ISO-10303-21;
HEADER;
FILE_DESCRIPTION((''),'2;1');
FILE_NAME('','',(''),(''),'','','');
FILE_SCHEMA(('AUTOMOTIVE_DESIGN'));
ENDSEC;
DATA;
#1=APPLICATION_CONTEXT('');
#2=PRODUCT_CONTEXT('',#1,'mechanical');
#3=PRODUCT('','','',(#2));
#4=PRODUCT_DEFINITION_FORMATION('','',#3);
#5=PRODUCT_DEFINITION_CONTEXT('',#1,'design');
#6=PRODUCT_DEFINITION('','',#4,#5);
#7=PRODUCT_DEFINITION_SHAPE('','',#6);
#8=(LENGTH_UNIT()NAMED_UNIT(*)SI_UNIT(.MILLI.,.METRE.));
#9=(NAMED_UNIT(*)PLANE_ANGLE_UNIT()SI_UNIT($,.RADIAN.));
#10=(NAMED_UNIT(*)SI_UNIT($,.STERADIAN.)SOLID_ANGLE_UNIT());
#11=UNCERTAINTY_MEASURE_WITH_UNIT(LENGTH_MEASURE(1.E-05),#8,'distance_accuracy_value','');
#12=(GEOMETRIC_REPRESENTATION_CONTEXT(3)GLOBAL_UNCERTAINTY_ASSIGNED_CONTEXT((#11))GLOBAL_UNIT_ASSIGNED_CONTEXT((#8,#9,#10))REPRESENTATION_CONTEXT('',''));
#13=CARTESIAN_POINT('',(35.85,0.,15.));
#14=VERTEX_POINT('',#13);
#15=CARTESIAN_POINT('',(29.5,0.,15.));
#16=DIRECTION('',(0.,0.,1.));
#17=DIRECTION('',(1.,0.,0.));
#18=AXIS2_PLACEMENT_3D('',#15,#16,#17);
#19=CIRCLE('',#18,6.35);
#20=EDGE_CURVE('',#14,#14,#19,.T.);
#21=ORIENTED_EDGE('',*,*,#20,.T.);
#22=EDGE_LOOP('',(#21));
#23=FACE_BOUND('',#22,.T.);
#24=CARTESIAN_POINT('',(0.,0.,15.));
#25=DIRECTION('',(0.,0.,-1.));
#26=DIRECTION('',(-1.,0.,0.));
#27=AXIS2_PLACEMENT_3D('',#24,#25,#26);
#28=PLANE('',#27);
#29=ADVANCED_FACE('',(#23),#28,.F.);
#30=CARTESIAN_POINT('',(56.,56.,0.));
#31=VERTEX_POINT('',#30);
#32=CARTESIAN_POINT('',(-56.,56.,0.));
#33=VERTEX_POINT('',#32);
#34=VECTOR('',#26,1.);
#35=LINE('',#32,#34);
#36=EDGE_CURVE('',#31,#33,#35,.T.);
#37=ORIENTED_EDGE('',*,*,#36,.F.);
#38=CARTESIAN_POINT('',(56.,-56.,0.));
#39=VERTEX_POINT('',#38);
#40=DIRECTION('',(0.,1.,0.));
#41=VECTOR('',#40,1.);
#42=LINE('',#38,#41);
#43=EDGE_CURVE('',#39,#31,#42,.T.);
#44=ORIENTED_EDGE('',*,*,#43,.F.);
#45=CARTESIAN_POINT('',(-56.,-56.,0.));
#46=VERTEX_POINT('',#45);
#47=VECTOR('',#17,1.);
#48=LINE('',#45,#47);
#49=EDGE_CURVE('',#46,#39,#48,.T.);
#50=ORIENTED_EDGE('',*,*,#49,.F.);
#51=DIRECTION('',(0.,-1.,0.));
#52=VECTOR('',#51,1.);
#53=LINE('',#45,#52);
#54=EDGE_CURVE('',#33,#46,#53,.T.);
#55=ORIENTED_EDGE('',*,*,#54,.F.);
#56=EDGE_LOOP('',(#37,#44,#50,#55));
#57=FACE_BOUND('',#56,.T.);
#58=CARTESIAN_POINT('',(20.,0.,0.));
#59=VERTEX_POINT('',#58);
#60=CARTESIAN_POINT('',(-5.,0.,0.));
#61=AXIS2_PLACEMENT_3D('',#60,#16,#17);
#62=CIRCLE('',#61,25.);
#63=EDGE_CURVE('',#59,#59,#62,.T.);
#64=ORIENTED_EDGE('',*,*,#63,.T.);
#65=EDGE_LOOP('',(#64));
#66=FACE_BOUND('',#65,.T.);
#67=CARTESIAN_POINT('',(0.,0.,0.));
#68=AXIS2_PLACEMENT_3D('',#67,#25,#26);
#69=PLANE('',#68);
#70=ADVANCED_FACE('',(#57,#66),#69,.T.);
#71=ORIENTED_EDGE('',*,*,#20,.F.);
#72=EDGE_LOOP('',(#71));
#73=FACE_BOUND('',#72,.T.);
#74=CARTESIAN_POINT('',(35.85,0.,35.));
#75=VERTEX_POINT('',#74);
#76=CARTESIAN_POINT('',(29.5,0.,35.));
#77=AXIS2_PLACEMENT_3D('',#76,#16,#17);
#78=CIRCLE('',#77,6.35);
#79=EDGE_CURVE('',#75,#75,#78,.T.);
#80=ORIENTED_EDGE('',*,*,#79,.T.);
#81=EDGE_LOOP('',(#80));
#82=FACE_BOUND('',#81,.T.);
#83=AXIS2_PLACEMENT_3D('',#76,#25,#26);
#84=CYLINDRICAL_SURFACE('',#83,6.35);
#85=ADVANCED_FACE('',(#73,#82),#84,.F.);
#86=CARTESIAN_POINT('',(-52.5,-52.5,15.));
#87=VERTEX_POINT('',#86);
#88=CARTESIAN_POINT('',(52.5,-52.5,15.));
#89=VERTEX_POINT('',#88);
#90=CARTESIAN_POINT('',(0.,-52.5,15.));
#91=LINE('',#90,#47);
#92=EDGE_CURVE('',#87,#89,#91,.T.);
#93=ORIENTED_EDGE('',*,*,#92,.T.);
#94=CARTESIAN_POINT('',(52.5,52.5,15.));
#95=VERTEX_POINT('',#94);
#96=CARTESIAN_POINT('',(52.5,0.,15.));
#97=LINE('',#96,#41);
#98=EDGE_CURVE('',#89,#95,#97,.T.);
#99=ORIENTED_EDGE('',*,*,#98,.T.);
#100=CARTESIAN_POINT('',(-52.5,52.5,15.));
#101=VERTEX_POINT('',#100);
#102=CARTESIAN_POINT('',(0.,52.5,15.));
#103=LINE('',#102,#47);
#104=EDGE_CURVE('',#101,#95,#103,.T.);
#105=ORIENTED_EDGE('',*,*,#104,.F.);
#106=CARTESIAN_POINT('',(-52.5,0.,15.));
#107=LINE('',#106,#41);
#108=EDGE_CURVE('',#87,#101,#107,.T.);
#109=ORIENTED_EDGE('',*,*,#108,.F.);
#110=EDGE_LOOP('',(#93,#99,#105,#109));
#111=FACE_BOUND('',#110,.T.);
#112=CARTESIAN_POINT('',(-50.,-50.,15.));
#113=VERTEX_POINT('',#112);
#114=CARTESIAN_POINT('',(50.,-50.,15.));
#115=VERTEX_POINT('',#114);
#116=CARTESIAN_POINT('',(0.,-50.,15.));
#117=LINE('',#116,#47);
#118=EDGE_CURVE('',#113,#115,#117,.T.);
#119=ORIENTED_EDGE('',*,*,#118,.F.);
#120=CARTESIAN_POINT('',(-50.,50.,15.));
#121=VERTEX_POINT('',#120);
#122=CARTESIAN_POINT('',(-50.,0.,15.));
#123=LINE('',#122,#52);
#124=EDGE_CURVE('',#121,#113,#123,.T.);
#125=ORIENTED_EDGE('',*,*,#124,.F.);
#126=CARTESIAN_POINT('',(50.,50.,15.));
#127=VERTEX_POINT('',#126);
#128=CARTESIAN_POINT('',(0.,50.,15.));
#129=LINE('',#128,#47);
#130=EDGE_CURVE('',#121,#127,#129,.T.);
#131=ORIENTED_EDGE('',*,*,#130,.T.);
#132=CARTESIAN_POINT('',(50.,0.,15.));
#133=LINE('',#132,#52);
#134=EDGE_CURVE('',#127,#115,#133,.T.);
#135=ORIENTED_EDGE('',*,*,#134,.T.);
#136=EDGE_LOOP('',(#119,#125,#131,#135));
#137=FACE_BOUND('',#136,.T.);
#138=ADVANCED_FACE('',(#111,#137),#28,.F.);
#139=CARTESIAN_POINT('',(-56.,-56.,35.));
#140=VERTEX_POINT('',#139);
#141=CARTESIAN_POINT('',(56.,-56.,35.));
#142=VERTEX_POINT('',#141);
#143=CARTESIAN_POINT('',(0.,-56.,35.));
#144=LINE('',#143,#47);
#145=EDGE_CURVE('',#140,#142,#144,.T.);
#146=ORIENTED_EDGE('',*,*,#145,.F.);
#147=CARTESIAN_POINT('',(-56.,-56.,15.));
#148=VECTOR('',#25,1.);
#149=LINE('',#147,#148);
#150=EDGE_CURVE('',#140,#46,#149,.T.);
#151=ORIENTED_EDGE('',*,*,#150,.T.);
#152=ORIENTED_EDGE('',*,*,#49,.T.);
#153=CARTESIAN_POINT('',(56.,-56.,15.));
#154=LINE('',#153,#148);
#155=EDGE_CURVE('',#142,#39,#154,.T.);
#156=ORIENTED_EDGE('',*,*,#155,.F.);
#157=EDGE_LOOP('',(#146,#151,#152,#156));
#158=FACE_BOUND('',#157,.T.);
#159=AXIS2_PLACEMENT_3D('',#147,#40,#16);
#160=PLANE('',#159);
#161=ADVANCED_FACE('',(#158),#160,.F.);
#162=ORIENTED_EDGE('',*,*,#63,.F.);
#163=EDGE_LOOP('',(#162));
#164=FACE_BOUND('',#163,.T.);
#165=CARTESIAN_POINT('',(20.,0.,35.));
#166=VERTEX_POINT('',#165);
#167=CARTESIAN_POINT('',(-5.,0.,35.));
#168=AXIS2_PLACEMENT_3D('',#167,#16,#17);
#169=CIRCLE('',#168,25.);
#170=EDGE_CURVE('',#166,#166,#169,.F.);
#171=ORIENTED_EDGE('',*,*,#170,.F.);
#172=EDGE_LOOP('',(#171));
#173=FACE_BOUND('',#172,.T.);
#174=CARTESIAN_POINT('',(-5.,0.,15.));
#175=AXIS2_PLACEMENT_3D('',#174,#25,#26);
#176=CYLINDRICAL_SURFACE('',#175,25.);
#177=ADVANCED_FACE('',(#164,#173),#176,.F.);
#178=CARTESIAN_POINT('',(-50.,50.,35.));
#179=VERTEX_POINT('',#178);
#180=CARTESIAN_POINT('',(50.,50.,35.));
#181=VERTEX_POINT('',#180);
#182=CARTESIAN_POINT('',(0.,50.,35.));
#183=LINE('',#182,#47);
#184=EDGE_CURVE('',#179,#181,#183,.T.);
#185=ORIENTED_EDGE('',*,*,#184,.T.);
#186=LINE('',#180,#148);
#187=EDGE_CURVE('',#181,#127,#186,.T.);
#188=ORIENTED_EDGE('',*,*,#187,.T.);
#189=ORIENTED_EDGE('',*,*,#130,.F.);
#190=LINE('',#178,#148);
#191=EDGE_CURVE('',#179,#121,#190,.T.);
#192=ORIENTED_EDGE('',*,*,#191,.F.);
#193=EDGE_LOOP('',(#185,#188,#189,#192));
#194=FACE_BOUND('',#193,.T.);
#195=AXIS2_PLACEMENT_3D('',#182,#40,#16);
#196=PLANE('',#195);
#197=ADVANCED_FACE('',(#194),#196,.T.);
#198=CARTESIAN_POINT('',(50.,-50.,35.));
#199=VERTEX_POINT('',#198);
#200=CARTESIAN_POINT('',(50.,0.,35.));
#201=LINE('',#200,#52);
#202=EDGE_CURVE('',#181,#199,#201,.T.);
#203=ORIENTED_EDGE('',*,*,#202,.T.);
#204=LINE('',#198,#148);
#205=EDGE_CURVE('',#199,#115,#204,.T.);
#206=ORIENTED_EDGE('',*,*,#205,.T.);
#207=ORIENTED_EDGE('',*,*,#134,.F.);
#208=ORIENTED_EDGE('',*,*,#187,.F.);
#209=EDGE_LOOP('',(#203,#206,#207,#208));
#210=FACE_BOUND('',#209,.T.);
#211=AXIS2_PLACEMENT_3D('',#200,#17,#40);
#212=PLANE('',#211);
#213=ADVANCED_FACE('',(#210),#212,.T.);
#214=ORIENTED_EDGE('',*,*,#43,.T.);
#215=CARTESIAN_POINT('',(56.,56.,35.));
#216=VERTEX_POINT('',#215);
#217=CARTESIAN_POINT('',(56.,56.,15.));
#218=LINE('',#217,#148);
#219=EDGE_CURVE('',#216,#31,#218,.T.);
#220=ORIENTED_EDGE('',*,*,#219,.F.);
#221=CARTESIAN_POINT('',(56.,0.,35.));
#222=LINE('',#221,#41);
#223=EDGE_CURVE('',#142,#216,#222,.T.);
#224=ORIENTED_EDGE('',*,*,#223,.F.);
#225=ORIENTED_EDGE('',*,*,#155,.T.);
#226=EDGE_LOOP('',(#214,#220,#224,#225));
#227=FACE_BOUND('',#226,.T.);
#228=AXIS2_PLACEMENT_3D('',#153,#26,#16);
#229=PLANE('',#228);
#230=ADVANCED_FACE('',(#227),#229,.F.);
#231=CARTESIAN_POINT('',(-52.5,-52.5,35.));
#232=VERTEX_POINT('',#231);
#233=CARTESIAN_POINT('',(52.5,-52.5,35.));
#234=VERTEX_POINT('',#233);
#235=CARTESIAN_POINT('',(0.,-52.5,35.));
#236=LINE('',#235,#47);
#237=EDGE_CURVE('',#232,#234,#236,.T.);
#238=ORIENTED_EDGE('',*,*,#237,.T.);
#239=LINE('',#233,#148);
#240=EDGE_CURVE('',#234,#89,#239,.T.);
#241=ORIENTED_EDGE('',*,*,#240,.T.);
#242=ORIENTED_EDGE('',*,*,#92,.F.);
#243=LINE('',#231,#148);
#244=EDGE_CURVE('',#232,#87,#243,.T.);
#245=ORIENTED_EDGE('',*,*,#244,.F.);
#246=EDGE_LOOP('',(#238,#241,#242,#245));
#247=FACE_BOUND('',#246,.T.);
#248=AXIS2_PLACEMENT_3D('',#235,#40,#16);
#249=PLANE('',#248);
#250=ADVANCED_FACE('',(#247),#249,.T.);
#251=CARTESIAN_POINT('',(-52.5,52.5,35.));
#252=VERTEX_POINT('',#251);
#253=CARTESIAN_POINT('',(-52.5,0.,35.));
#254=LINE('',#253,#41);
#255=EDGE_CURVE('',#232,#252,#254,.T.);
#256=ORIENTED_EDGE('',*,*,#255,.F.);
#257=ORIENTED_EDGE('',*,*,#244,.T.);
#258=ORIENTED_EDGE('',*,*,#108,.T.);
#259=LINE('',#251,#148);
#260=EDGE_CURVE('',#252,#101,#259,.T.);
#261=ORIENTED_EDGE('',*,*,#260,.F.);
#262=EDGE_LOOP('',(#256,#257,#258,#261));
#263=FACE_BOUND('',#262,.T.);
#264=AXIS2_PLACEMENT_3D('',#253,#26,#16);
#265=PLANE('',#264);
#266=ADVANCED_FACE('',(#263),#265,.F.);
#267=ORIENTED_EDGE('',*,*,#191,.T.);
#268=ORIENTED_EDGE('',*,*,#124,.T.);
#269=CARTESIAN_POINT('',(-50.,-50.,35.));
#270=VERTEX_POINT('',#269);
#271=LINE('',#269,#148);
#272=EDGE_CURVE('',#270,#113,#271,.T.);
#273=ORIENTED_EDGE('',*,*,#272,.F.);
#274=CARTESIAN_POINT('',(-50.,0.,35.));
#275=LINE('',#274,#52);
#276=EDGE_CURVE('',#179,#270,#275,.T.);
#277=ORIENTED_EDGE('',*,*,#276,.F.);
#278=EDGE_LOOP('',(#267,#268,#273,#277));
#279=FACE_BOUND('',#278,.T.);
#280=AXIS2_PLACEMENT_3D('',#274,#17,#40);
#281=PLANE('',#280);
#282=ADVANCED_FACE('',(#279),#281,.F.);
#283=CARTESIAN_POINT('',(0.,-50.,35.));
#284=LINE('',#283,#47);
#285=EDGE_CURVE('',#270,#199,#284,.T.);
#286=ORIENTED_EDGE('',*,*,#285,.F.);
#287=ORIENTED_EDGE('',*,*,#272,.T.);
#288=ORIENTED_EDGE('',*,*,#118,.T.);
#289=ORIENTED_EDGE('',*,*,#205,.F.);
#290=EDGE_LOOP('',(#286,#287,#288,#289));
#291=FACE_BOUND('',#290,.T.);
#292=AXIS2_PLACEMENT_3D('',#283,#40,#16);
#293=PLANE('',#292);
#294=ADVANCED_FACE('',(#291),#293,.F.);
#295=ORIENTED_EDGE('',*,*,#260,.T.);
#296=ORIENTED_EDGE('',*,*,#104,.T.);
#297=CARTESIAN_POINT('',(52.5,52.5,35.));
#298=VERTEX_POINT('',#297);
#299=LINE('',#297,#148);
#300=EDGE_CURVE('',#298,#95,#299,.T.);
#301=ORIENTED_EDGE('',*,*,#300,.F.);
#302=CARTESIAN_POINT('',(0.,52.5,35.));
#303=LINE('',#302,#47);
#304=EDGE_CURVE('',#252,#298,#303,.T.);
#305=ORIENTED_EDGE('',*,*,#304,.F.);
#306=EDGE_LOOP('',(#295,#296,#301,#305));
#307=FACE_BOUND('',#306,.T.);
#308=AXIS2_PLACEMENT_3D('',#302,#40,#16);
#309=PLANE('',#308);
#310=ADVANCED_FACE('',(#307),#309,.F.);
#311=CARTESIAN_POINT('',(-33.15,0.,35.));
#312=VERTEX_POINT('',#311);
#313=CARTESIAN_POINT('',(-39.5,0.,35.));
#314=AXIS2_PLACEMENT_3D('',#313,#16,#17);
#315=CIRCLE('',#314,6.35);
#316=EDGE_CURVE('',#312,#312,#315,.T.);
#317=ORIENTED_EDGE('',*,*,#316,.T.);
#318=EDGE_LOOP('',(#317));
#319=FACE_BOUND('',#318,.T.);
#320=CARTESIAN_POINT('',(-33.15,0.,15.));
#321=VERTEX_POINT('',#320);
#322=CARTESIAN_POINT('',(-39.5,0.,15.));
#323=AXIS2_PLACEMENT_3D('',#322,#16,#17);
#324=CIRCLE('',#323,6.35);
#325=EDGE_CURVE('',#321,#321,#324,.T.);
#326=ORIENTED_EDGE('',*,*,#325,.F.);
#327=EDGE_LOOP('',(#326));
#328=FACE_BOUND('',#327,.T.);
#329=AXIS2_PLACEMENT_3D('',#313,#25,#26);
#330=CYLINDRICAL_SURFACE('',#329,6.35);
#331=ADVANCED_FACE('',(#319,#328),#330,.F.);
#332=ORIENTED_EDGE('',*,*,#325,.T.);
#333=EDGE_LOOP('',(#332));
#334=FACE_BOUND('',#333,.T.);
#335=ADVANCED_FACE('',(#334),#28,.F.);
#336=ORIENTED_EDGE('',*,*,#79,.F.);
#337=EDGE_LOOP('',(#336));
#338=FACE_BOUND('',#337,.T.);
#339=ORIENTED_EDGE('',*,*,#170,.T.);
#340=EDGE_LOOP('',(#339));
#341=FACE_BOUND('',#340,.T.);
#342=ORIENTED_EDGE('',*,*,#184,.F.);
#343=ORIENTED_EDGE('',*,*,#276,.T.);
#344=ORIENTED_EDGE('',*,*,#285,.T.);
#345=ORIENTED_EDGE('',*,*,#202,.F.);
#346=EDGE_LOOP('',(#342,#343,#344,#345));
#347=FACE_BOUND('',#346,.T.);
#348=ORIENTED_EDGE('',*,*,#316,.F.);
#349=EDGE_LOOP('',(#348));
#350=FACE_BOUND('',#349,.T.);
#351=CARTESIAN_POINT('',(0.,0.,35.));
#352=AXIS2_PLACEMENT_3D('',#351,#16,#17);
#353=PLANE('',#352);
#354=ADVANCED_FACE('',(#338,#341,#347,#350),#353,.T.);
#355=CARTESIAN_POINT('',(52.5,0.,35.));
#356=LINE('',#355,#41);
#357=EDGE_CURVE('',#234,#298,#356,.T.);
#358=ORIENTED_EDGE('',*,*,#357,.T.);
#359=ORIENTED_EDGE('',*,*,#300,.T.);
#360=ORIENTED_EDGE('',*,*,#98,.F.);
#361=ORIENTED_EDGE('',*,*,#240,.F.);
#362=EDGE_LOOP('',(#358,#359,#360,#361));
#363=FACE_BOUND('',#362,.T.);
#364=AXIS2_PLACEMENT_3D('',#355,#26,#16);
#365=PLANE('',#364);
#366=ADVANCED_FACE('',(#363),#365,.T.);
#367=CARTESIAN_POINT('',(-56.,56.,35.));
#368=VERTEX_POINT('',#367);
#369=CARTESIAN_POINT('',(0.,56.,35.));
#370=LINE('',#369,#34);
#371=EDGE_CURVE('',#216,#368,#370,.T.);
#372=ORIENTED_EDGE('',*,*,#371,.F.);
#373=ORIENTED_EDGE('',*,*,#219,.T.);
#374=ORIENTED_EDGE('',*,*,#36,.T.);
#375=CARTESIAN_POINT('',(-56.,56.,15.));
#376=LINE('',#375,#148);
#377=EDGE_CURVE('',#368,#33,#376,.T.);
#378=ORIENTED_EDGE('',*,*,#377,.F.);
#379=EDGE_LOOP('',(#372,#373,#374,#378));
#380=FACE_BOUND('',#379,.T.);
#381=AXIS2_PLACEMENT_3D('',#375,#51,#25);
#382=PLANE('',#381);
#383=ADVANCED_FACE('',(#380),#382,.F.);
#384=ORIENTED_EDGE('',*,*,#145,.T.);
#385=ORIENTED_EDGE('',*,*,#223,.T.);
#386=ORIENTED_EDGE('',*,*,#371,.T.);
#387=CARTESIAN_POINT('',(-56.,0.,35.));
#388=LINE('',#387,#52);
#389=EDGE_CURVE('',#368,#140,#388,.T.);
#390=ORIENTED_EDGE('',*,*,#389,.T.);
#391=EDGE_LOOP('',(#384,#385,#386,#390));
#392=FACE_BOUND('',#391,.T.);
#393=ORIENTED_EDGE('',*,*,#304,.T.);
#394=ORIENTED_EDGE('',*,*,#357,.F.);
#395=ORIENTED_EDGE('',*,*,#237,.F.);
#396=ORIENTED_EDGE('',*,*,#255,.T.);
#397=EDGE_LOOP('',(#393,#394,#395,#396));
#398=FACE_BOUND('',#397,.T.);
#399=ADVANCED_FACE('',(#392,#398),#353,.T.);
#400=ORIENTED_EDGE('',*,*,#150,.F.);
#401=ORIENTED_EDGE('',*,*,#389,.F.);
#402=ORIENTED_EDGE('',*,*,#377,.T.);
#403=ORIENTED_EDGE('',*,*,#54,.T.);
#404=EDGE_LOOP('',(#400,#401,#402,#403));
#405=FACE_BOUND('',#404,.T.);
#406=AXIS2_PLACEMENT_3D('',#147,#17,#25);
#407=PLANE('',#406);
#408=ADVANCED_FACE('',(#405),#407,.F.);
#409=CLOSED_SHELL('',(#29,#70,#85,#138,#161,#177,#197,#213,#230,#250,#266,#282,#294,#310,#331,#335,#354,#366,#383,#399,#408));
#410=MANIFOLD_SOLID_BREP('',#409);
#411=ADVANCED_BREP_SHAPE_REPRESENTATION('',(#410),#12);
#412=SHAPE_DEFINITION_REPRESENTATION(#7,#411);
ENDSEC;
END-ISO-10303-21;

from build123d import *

# Parameters (mm, degrees)
SKETCH2_W           = 112
SKETCH2_H           = 112
SKETCH2_R           = 25
BOSS_EXTRUDE1_DEPTH = 15
SKETCH3_W           = 112
SKETCH3_H           = 112
SKETCH3_W_2         = 105
SKETCH3_H_2         = 105
SKETCH3_W_3         = 100
SKETCH3_H_3         = 100
SKETCH3_R           = 6.35
SKETCH3_R_2         = 25
BOSS_EXTRUDE2_DEPTH = 20


with BuildPart() as part:
    # Sketch2 → Boss-Extrude1 (new body)
    with BuildSketch(Plane.XY):
        Rectangle(SKETCH2_W, SKETCH2_H)
        with Locations((-5, 0)):
            Circle(SKETCH2_R, mode=Mode.SUBTRACT)
    extrude(amount=BOSS_EXTRUDE1_DEPTH)

    # Sketch3 → Boss-Extrude2 (add)
    # profile 1 of 2: a face of its own
    with BuildSketch(Plane.XY.offset(15)):
        Rectangle(SKETCH3_W, SKETCH3_H)
        Rectangle(SKETCH3_W_2, SKETCH3_H_2, mode=Mode.SUBTRACT)
    # profile 2 of 2: a face of its own
    with BuildSketch(Plane.XY.offset(15)):
        Rectangle(SKETCH3_W_3, SKETCH3_H_3)
        with Locations((-39.5, 0)):
            Circle(SKETCH3_R, mode=Mode.SUBTRACT)
        with Locations((-5, 0)):
            Circle(SKETCH3_R_2, mode=Mode.SUBTRACT)
        with Locations((29.5, 0)):
            Circle(SKETCH3_R, mode=Mode.SUBTRACT)
    extrude(amount=BOSS_EXTRUDE2_DEPTH)


solid = part.part
